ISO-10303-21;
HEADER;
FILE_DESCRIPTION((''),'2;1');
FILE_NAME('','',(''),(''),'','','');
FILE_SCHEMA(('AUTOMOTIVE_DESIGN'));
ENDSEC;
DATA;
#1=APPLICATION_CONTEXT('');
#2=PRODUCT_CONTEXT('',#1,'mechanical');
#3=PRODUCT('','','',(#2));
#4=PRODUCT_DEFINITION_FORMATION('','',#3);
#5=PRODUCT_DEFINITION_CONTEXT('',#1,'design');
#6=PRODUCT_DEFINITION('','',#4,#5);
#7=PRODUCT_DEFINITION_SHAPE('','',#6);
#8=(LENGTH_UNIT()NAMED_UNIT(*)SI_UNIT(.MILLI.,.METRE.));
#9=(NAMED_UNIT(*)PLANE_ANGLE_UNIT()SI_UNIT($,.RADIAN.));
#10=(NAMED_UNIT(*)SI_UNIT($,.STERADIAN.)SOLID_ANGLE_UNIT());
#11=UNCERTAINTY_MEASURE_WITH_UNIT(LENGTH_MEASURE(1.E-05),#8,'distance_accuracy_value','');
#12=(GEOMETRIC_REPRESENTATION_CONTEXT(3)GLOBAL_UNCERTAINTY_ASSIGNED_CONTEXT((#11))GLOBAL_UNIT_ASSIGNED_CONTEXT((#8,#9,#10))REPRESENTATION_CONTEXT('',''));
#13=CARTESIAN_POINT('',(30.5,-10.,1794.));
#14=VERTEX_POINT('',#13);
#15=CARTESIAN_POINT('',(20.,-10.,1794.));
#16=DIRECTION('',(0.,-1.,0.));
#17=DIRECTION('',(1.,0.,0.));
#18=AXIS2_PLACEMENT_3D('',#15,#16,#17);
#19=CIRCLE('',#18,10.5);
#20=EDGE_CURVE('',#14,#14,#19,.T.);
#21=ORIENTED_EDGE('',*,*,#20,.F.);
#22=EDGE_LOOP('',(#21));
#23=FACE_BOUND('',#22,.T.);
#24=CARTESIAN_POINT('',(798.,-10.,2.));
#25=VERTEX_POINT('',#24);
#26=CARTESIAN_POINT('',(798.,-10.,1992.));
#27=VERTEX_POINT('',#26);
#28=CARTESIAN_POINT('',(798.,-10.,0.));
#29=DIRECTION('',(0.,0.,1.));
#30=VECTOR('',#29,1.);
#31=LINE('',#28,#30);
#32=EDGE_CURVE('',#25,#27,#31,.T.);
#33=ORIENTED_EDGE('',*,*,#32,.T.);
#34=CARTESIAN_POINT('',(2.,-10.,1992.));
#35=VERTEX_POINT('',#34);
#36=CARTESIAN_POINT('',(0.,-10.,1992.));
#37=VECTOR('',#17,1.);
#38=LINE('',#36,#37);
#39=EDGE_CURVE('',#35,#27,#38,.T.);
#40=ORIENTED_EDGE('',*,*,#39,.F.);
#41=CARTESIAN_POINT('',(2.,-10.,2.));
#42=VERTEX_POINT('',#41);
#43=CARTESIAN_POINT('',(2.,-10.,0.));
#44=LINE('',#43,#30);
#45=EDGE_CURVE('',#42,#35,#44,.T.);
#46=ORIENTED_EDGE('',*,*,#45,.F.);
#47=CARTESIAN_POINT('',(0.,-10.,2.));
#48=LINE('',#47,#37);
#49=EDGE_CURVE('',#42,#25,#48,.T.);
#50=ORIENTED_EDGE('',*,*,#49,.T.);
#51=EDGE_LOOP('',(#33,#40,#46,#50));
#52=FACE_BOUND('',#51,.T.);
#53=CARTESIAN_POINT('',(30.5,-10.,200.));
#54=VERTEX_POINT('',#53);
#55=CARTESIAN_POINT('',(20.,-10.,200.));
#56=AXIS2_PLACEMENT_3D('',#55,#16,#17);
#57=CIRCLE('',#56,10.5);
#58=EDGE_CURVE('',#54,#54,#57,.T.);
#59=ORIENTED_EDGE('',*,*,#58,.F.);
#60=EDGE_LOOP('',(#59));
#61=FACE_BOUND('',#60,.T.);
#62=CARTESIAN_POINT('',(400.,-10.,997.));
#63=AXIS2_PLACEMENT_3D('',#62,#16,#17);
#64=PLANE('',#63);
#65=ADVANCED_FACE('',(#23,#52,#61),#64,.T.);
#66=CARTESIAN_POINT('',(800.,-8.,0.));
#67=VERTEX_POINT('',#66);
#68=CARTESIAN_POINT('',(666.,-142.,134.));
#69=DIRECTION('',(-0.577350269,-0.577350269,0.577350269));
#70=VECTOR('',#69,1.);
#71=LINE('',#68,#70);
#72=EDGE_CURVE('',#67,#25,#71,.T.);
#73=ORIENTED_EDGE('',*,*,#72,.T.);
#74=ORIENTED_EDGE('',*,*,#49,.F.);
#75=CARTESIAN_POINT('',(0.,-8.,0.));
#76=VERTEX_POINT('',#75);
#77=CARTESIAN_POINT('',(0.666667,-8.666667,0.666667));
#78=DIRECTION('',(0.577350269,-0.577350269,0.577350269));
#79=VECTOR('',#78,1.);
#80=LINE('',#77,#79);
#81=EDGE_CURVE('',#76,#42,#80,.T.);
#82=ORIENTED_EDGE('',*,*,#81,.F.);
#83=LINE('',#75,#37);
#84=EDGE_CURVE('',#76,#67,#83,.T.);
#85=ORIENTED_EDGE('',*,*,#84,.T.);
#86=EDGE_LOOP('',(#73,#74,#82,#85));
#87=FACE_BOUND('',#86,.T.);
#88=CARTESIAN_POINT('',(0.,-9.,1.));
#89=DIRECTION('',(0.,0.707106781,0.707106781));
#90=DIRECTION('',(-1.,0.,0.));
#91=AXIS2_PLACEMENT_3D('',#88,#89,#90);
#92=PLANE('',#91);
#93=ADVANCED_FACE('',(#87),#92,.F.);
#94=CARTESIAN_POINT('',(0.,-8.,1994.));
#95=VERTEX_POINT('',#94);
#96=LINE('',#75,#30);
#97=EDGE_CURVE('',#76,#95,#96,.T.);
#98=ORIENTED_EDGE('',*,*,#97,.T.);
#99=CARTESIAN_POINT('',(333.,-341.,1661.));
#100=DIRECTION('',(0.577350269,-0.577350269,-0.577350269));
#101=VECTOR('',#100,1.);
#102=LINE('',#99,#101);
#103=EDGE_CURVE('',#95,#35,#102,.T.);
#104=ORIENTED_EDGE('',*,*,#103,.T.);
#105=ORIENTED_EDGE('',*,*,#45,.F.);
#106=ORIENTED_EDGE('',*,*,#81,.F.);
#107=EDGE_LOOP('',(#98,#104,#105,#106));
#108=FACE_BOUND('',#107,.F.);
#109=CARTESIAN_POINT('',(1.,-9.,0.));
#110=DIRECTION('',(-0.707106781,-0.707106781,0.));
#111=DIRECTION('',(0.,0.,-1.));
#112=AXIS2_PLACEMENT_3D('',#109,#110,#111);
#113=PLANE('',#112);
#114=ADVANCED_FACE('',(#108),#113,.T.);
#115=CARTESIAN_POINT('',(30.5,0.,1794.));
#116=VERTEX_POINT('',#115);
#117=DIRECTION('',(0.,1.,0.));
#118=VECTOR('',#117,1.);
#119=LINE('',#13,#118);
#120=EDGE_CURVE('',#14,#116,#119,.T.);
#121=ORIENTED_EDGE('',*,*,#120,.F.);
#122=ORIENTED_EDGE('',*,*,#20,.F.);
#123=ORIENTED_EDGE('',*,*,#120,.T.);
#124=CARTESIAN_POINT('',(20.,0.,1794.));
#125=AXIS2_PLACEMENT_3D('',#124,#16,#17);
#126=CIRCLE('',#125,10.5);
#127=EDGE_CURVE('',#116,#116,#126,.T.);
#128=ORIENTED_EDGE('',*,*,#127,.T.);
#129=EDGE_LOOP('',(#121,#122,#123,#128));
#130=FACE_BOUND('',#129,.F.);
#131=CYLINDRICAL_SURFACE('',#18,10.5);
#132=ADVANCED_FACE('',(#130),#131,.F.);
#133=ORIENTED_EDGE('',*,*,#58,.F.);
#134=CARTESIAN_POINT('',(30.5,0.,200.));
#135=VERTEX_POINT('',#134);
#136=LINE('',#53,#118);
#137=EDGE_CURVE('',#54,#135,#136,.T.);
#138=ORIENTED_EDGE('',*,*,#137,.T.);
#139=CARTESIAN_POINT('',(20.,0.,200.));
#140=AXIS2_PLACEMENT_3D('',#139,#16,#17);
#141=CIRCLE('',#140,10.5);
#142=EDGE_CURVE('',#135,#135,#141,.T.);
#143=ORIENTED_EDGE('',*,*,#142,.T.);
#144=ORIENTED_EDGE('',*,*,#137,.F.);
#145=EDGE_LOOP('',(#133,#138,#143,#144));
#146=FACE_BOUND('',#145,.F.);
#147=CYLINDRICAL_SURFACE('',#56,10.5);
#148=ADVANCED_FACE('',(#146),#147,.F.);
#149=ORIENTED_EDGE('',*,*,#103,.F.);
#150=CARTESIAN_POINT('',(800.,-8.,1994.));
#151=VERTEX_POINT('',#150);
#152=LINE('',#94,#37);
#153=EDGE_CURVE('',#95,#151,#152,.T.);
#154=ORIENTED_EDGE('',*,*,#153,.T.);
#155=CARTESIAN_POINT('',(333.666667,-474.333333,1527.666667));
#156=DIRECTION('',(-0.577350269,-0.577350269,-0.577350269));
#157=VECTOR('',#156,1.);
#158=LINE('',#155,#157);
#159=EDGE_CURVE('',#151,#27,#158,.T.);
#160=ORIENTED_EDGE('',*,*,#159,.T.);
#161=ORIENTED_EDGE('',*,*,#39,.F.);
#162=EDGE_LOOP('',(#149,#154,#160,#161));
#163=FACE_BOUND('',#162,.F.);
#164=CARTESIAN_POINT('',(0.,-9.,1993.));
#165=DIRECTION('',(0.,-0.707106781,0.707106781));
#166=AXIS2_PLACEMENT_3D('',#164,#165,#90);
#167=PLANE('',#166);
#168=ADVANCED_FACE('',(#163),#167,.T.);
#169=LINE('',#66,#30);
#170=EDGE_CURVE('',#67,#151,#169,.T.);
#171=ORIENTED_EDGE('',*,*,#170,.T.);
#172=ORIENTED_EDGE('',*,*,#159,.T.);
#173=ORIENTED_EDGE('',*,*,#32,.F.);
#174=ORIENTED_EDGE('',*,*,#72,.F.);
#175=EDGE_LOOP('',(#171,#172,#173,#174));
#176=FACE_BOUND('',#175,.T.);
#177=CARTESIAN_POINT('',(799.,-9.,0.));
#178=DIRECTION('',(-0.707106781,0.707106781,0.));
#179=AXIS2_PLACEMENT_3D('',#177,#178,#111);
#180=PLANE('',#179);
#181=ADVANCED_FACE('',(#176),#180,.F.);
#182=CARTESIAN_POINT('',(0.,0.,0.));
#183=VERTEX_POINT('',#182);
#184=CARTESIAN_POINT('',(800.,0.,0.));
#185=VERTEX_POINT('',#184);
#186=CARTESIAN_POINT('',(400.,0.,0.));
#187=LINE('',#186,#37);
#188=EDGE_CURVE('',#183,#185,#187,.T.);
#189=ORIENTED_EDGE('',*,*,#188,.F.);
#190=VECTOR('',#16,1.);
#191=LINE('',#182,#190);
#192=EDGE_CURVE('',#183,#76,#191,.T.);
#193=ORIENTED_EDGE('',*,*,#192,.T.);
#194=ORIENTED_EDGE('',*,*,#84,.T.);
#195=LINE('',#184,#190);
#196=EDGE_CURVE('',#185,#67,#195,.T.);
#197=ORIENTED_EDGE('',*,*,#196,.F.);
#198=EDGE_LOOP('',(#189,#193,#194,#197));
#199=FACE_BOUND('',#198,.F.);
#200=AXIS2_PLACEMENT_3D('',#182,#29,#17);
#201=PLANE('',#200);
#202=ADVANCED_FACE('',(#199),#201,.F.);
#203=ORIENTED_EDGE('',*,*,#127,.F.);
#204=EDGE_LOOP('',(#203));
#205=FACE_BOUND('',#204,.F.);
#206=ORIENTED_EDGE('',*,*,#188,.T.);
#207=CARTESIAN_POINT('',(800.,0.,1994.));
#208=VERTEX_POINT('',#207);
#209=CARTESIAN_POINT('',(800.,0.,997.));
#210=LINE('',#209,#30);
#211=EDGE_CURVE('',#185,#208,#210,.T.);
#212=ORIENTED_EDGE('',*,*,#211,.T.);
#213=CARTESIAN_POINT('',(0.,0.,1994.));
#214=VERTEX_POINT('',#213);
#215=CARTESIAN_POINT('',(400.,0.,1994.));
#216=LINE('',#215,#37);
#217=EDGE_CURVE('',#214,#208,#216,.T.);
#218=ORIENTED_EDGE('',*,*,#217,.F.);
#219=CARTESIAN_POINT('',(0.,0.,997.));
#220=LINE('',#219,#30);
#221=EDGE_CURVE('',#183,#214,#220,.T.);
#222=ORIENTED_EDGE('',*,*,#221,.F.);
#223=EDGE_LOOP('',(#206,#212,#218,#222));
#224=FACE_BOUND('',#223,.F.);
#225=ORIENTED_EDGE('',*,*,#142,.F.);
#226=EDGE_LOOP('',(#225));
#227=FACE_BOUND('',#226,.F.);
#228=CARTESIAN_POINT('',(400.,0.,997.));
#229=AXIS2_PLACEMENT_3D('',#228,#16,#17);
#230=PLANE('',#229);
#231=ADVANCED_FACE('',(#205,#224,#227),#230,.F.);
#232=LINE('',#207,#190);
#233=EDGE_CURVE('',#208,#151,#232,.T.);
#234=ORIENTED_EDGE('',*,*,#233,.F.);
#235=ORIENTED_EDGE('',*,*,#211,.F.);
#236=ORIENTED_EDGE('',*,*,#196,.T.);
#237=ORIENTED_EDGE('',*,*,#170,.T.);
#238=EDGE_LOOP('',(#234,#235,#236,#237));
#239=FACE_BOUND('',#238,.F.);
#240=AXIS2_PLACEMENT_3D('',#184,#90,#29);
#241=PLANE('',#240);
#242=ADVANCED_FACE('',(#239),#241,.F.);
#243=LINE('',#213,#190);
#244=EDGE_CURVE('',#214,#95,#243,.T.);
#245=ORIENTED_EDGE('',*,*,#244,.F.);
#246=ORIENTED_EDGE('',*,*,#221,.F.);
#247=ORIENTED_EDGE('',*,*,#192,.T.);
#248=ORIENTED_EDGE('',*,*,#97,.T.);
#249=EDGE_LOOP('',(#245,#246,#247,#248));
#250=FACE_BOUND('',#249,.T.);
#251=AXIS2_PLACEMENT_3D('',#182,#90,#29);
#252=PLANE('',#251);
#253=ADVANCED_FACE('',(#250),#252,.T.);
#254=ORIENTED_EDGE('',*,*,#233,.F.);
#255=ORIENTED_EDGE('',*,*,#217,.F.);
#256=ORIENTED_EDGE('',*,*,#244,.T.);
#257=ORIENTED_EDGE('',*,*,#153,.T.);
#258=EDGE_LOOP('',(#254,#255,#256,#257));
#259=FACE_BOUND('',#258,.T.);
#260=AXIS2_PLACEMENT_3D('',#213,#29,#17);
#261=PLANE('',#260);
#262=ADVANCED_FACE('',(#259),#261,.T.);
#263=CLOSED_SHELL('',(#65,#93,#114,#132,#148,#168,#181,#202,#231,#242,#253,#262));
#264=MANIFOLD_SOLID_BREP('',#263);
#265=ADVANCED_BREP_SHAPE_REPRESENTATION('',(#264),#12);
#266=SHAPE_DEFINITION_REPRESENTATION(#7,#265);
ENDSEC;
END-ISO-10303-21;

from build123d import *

# Parameters (mm, degrees)
F0_W     = 800
F0_H     = 1994
F1_DEPTH = 10
F2_SIZE  = 2
F3_R     = 10.5
F4_DEPTH = 25


with BuildPart() as f1:
    # F0 (on Front) → F1 (new body)
    with BuildSketch(Plane.XZ):
        with Locations((400, 997)):
            Rectangle(F0_W, F0_H)
    extrude(amount=F1_DEPTH)

    # F2
    f2_edges = [f1.edges().sort_by_distance(p)[0] for p in [
        (0, -10, 997),
        (400, -10, 0),
        (800, -10, 997),
        (400, -10, 1994),
    ]]
    chamfer(f2_edges, length=F2_SIZE)

    # F3 (on face) → F4 (cut)
    with BuildSketch(Plane.XZ.offset(10)):
        with Locations((20, 1794)):
            Circle(F3_R)
        with Locations((20, 200)):
            Circle(F3_R)
    extrude(amount=-F4_DEPTH, mode=Mode.SUBTRACT)


solid = f1.part
